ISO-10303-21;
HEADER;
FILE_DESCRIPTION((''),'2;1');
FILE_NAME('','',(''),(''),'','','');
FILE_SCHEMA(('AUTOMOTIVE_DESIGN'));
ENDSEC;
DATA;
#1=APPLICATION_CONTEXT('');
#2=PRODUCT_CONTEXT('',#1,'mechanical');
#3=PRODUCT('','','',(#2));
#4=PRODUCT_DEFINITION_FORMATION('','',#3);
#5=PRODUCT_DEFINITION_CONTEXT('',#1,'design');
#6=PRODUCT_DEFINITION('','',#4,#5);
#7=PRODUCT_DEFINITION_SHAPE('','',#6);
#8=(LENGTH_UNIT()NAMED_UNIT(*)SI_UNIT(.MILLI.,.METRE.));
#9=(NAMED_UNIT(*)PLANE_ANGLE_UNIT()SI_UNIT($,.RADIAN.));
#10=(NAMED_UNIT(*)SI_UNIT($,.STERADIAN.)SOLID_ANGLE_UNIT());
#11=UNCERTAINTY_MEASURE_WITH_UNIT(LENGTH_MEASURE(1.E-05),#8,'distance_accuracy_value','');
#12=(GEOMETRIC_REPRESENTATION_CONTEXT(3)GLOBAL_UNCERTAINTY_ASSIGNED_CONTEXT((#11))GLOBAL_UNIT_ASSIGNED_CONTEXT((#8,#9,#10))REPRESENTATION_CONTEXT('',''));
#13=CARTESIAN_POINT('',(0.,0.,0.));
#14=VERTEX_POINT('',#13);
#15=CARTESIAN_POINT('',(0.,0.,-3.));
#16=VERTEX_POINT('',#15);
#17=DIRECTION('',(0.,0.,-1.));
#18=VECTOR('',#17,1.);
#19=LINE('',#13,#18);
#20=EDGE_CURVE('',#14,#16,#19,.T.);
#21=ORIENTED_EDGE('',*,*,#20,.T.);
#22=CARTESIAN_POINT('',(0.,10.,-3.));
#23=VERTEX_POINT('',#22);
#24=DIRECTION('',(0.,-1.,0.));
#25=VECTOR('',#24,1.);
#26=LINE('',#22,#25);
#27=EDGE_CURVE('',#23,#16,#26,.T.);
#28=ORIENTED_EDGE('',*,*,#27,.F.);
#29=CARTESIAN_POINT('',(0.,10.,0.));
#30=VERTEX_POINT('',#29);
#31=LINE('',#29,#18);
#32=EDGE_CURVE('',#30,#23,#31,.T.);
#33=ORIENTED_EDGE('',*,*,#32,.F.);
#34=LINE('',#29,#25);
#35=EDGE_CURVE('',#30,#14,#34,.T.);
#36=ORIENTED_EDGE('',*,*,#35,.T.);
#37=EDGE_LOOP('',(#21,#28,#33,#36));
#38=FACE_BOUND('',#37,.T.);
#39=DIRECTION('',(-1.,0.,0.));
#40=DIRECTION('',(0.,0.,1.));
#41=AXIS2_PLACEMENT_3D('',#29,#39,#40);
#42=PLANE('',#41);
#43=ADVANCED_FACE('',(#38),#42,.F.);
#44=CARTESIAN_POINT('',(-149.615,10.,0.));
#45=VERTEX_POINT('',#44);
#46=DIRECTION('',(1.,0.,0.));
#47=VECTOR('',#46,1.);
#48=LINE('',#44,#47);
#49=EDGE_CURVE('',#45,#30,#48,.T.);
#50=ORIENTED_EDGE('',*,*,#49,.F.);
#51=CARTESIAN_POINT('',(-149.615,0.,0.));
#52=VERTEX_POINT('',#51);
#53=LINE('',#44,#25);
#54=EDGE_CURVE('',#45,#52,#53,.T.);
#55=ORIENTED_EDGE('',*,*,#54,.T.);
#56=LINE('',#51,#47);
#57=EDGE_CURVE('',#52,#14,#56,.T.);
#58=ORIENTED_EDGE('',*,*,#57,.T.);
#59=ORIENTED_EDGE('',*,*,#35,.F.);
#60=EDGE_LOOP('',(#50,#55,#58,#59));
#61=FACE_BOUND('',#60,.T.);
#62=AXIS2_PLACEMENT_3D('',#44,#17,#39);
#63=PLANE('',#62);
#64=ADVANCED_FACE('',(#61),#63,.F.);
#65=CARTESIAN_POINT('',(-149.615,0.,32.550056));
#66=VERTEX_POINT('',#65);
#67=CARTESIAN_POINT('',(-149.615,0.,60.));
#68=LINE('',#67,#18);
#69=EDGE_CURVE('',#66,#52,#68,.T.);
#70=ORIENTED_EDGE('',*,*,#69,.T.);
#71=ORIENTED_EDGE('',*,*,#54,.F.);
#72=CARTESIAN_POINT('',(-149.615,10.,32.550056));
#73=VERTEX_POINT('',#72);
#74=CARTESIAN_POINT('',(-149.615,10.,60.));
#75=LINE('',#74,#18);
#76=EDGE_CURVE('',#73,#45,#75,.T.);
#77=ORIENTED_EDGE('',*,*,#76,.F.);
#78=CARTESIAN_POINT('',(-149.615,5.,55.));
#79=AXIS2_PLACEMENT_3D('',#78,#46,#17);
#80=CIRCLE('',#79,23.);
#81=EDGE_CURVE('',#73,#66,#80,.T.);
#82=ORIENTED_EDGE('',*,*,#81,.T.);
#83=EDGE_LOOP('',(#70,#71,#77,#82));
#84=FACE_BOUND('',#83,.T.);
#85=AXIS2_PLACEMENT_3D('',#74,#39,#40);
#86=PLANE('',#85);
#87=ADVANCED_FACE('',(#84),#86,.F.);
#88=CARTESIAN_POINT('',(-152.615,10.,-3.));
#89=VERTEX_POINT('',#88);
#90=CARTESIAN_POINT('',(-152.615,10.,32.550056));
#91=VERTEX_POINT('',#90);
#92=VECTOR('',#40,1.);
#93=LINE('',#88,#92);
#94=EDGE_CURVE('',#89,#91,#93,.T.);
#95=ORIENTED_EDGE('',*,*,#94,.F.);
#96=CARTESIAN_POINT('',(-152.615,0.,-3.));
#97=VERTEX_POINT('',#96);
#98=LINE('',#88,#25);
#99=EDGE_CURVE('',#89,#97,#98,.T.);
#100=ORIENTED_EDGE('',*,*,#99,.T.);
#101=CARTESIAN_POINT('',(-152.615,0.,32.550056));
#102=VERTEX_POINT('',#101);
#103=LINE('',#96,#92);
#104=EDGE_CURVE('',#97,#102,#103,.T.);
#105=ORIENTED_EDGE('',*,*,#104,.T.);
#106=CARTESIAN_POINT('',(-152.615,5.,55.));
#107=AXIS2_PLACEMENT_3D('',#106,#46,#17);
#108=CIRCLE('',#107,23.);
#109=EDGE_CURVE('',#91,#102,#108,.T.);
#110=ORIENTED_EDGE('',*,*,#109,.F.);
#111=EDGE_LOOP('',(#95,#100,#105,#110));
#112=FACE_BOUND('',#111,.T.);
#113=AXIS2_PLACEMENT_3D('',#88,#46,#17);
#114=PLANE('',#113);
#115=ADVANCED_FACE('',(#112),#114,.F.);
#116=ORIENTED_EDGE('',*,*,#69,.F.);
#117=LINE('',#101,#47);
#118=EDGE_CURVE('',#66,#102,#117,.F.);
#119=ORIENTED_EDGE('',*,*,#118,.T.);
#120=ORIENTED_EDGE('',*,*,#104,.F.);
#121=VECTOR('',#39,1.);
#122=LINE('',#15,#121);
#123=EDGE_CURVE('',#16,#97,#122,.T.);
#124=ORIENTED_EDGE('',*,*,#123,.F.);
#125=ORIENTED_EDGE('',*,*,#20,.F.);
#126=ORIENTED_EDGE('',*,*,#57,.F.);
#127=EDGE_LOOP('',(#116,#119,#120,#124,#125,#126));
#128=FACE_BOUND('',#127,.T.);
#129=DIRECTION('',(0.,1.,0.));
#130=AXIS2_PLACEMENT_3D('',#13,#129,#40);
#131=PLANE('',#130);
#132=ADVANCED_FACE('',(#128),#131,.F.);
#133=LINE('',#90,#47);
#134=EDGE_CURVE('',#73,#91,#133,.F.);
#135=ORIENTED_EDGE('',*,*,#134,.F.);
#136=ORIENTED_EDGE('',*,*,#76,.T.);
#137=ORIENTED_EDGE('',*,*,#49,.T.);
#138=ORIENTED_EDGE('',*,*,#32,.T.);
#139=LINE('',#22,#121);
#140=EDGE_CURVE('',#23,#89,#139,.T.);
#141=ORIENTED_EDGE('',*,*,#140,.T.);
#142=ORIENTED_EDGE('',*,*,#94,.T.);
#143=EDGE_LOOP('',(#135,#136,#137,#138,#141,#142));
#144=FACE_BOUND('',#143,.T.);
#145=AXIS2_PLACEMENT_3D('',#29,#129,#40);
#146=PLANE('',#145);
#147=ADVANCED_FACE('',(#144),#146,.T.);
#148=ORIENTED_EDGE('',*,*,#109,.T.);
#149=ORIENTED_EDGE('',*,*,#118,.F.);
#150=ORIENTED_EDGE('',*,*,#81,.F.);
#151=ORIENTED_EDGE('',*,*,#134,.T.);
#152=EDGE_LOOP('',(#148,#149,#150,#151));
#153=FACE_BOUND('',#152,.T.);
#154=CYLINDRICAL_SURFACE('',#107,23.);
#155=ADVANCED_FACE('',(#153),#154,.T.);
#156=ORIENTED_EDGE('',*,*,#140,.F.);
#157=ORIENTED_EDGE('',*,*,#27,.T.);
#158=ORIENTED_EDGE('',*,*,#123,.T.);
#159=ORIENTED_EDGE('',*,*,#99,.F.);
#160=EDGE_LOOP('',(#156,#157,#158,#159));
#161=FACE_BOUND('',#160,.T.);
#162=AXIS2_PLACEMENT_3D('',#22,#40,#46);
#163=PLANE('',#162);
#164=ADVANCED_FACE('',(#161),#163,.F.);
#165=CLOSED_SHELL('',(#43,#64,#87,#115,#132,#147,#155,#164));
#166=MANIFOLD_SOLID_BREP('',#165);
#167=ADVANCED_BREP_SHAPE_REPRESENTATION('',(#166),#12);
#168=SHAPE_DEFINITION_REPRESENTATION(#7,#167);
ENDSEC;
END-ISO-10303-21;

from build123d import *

# Parameters (mm, degrees)
EXTRUDE_2_DEPTH = 10
SKETCH_2_R      = 23
EXTRUDE_3_DEPTH = 3


with BuildPart() as part:
    # Эскиз1 → Выдавливание2 (new body)
    with BuildSketch(Plane(origin=(0, 0, 0), x_dir=(-1, 0, 0), z_dir=(0, 1, 0))):
        Polygon((0, 0), (0, -3), (152.615, -3), (152.615, 60), (149.615, 60), (149.615, 0), align=None)
    extrude(amount=EXTRUDE_2_DEPTH)

    # Эскиз2 → Выдавливание3 (add)
    with BuildSketch(Plane(origin=(-149.615, 0, 0), x_dir=(0, 0, -1), z_dir=(1, 0, 0))):
        with Locations((-55, 5)):
            Circle(SKETCH_2_R)
    extrude(amount=-EXTRUDE_3_DEPTH)


solid = part.part
